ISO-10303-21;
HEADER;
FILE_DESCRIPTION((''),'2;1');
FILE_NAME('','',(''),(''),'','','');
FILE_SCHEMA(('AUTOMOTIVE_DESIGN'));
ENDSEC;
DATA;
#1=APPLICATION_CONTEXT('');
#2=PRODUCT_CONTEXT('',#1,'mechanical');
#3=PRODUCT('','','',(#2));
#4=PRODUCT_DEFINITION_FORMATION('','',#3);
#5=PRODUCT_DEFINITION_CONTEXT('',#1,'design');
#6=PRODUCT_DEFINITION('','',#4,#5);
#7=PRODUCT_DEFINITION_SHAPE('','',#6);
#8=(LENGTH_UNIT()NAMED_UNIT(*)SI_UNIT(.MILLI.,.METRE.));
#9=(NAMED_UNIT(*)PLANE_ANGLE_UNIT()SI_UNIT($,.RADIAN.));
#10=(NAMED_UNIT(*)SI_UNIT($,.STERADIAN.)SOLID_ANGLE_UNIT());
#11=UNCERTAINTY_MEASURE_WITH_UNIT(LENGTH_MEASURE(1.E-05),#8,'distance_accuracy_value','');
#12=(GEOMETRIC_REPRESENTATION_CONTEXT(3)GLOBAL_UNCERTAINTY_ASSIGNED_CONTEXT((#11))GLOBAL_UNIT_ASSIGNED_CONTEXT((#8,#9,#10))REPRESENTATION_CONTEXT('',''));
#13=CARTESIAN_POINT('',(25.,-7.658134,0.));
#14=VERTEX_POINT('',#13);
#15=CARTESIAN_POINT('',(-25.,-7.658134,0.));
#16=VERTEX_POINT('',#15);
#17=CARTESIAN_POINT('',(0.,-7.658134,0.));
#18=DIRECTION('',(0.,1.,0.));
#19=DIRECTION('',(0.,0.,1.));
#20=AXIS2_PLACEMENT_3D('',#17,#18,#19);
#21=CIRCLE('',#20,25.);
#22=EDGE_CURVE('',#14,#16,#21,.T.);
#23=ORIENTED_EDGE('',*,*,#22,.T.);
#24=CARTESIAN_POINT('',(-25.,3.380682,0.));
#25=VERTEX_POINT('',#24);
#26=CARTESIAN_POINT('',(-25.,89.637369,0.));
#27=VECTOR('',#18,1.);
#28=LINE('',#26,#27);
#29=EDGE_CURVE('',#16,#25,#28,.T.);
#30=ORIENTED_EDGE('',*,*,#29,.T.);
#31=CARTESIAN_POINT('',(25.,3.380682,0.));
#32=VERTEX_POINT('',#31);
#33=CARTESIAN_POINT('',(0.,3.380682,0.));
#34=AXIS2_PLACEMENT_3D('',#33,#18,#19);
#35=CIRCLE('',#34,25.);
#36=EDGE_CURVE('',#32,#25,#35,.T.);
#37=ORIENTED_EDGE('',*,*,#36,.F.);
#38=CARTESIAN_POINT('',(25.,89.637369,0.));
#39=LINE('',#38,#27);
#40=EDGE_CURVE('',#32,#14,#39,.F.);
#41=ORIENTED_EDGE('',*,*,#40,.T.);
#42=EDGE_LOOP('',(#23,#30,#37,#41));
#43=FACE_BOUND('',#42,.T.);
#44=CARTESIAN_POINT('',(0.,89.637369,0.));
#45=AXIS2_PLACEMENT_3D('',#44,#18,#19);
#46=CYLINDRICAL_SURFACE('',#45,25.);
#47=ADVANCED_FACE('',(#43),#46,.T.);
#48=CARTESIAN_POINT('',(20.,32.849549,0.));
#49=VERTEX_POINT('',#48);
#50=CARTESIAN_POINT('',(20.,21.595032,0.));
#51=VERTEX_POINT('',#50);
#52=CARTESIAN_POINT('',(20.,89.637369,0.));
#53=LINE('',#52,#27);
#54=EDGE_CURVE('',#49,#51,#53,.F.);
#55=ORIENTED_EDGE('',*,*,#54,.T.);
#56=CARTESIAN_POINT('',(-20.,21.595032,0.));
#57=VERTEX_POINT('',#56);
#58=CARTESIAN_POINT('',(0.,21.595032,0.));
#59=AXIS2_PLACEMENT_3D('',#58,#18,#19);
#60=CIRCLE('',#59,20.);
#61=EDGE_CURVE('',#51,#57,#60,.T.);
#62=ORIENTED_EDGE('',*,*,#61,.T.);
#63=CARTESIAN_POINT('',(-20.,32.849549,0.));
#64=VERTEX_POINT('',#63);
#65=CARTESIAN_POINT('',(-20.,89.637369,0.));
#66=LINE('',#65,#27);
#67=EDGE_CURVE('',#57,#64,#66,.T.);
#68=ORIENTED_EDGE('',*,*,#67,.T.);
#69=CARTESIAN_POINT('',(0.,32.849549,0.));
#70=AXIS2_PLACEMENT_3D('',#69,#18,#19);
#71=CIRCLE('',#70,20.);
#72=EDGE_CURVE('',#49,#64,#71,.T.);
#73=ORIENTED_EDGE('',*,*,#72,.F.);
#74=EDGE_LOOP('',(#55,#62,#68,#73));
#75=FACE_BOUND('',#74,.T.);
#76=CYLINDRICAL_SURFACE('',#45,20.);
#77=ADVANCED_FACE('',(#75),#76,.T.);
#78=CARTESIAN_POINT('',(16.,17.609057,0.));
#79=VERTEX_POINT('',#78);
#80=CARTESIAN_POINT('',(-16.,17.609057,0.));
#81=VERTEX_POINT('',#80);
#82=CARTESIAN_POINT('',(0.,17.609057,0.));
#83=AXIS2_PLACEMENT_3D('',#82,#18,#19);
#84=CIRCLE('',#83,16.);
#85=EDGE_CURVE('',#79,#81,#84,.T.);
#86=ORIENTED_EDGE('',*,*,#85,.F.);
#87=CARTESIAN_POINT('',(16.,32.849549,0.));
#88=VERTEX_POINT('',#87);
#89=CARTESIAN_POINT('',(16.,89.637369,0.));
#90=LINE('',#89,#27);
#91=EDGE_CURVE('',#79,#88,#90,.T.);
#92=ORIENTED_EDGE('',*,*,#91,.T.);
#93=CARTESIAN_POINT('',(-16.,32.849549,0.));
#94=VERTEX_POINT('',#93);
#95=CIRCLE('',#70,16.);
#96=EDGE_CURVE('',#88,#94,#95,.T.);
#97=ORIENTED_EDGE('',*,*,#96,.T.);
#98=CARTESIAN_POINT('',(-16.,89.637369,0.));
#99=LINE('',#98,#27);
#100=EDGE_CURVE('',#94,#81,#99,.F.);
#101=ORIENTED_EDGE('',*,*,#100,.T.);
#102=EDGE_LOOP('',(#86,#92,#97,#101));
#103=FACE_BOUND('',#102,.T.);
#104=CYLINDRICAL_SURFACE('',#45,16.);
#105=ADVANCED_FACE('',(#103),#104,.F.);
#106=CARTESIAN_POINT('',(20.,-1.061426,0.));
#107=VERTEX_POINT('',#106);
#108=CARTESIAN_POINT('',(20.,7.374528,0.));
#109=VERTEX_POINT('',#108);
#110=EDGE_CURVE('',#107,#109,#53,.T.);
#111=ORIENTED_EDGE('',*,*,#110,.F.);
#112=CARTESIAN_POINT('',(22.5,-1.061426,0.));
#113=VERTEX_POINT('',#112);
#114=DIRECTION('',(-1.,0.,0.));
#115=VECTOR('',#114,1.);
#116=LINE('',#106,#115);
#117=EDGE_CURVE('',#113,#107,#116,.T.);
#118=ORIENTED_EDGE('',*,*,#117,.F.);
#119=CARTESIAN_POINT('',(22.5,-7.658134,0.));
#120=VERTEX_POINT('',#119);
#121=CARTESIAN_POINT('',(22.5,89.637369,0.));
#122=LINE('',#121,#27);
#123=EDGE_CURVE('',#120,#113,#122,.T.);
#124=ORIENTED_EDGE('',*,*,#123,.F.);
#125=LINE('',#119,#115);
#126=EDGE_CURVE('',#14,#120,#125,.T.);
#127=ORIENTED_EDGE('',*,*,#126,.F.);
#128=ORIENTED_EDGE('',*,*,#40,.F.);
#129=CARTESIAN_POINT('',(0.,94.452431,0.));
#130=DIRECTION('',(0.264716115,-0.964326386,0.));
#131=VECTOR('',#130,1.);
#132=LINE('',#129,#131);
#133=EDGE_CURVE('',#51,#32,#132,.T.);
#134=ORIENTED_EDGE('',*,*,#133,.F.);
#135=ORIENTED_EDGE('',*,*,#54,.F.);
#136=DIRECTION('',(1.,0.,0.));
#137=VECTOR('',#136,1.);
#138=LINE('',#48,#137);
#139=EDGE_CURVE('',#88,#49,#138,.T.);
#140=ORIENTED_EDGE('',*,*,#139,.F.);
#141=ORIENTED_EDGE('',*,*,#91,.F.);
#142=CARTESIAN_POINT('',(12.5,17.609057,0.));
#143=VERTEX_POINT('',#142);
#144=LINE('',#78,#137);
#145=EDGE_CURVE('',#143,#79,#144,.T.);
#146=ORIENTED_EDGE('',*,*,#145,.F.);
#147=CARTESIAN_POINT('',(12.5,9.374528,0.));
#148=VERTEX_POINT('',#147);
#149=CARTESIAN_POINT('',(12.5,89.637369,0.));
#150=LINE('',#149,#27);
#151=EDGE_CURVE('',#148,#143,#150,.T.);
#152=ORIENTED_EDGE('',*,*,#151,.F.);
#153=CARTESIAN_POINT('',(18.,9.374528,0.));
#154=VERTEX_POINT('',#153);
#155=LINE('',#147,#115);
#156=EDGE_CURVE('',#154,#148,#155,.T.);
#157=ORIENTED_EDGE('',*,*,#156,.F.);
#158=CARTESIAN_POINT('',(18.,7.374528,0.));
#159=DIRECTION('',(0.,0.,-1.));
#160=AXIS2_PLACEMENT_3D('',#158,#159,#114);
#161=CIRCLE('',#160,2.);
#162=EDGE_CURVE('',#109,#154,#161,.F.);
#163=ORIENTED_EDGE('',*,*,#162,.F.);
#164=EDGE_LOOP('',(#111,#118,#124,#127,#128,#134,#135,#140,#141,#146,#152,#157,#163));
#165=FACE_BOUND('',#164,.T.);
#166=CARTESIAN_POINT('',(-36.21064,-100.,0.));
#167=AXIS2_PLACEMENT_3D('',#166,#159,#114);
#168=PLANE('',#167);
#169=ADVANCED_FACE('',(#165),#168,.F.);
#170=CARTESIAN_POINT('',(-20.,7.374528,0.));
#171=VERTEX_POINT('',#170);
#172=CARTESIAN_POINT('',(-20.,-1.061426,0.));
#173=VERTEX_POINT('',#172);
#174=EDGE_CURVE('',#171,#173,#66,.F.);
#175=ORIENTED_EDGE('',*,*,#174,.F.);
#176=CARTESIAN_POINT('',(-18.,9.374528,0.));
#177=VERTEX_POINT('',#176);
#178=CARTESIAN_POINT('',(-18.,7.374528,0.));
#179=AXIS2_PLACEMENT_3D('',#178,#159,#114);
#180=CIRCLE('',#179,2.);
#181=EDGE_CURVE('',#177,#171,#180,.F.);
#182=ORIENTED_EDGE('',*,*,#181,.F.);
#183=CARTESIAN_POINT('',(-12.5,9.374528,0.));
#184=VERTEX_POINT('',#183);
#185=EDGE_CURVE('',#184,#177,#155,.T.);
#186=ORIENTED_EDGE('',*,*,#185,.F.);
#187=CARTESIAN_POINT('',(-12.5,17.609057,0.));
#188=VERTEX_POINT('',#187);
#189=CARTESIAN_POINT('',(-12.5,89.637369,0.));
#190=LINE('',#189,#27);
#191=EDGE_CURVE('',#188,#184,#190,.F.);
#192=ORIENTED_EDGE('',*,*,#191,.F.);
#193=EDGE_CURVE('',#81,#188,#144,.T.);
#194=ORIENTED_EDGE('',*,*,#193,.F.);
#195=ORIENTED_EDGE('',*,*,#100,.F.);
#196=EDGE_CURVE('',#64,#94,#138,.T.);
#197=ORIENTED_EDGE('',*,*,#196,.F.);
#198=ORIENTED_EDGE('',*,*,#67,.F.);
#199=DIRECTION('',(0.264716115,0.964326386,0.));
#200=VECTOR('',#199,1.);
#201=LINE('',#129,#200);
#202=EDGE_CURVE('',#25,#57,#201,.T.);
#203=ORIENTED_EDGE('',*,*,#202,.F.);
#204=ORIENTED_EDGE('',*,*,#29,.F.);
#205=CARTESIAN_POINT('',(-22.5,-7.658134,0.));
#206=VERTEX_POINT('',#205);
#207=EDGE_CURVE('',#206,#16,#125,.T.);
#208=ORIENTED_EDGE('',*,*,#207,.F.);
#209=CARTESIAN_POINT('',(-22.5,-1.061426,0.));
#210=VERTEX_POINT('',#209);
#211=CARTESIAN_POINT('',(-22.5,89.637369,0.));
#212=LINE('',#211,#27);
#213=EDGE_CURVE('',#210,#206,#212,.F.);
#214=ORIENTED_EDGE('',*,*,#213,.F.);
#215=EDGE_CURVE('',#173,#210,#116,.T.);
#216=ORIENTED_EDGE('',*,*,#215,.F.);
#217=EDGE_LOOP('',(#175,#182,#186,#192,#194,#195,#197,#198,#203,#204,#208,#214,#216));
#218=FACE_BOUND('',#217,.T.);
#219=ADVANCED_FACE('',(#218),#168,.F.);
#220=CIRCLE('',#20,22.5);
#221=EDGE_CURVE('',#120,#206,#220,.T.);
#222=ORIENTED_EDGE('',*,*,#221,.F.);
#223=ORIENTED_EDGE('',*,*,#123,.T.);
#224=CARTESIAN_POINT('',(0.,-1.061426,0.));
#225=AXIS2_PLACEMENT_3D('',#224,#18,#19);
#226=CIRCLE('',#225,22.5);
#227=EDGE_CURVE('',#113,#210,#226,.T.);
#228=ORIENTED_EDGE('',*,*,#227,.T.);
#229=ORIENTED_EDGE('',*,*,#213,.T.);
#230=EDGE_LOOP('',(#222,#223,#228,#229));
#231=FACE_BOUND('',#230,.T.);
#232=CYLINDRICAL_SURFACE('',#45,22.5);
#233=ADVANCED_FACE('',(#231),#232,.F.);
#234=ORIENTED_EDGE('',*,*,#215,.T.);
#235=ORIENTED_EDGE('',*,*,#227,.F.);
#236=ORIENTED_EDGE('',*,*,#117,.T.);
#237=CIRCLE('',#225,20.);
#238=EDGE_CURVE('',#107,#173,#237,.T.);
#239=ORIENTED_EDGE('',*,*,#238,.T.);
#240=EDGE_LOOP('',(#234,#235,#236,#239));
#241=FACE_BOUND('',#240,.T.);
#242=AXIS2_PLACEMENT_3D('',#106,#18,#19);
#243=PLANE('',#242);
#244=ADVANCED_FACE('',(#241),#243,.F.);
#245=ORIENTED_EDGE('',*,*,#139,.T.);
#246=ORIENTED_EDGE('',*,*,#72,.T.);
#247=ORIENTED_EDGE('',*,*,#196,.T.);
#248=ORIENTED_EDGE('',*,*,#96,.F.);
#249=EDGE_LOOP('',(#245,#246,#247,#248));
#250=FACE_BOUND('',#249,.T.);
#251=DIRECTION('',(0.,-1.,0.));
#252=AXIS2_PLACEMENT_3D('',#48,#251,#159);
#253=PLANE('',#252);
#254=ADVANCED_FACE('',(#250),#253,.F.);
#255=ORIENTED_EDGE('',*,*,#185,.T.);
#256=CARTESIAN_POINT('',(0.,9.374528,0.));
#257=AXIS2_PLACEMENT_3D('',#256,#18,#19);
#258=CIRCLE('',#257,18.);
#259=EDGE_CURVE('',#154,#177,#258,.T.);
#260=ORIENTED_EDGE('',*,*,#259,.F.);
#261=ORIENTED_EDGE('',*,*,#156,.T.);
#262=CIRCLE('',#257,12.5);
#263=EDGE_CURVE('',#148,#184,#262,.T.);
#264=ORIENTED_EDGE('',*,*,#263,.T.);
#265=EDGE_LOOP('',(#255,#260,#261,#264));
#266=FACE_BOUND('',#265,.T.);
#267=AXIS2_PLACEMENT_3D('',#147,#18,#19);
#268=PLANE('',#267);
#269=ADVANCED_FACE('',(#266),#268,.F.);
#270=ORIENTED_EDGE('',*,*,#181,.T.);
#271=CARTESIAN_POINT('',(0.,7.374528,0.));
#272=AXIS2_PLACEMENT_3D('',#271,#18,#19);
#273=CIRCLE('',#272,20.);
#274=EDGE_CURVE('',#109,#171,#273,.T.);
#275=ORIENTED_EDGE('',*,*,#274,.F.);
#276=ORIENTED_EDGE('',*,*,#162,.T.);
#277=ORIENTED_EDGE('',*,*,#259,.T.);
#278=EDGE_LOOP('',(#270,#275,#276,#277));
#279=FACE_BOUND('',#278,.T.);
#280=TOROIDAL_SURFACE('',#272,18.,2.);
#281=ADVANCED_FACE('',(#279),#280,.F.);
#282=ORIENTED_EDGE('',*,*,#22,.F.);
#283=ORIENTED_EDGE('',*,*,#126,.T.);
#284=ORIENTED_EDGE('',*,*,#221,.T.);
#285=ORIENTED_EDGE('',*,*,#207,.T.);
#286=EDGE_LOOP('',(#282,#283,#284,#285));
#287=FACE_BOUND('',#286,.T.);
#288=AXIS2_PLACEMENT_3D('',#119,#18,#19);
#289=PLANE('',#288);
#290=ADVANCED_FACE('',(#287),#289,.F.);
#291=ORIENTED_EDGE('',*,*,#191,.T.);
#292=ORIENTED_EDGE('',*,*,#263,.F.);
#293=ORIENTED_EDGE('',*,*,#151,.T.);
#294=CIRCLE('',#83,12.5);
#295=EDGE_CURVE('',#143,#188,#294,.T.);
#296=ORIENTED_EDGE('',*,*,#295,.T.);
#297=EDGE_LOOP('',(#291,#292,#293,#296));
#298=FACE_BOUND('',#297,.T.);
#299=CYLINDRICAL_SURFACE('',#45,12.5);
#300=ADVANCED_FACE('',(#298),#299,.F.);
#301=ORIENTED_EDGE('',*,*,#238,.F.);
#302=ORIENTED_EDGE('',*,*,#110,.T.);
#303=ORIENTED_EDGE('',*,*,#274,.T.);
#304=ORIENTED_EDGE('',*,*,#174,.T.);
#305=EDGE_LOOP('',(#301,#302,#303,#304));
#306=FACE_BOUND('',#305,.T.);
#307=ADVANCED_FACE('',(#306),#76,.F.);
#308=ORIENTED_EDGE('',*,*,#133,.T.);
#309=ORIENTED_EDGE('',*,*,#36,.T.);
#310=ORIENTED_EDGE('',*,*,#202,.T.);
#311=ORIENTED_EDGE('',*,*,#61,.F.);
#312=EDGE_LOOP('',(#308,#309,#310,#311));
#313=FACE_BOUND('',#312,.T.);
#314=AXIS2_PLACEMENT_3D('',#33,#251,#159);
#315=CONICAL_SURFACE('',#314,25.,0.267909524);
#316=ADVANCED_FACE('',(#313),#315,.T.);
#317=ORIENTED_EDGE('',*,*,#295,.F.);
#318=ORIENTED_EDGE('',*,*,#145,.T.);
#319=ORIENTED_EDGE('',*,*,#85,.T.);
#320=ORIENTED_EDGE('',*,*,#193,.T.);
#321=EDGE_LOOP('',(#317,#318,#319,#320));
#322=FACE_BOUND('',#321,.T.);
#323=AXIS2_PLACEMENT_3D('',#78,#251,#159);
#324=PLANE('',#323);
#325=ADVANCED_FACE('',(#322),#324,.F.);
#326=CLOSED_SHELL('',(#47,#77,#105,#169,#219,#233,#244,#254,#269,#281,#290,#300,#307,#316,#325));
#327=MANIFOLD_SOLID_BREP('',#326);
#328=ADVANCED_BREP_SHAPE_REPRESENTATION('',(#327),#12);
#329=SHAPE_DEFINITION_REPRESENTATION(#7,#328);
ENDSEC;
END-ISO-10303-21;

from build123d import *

# Parameters (mm, degrees)
SKETCH3_W          = 71.408394521
SKETCH3_H          = 27.275546844
CUT_EXTRUDE2_DEPTH = 100


with BuildPart() as part:
    # Sketch1 → Revolve1 (revolve)
    with BuildSketch(Plane.XY, mode=Mode.PRIVATE) as revolve1_sk:
        with BuildLine():
            Line((16, 32.849548789), (16, 17.609057399))
            Line((16, 17.609057399), (12.5, 17.609057399))
            Line((12.5, 17.609057399), (12.5, 9.374527929))
            Line((12.5, 9.374527929), (18, 9.374527929))
            ThreePointArc((18, 9.374527929), (19.414213562, 8.788741491), (20, 7.374527929))
            Line((20, 7.374527929), (20, -1.061426296))
            Line((20, -1.061426296), (22.5, -1.061426296))
            Line((22.5, -1.061426296), (22.5, -7.65813411))
            Line((22.5, -7.65813411), (25, -7.65813411))
            Line((25, -7.65813411), (25, 3.380682237))
            Line((25, 3.380682237), (20, 21.59503207))
            Line((20, 21.59503207), (20, 32.849548789))
            Line((20, 32.849548789), (16, 32.849548789))
        make_face()
    revolve(revolve1_sk.sketch.rotate(Axis((0, 89.637369386, 0), (0, -1, 0)), 90), axis=Axis((0, 89.637369386, 0), (0, -1, 0)))  # turned: the seam where the file's is

    # Sketch3 → Cut-Extrude2 (cut, symmetric)
    with BuildSketch(Plane(origin=(0, 0, 0), x_dir=(1, 0, 0), z_dir=(0, 1, 0))):
        with Locations((-0.506442515, -13.637773422)):
            Rectangle(SKETCH3_W, SKETCH3_H)
    extrude(amount=CUT_EXTRUDE2_DEPTH, both=True, mode=Mode.SUBTRACT)


solid = part.part
